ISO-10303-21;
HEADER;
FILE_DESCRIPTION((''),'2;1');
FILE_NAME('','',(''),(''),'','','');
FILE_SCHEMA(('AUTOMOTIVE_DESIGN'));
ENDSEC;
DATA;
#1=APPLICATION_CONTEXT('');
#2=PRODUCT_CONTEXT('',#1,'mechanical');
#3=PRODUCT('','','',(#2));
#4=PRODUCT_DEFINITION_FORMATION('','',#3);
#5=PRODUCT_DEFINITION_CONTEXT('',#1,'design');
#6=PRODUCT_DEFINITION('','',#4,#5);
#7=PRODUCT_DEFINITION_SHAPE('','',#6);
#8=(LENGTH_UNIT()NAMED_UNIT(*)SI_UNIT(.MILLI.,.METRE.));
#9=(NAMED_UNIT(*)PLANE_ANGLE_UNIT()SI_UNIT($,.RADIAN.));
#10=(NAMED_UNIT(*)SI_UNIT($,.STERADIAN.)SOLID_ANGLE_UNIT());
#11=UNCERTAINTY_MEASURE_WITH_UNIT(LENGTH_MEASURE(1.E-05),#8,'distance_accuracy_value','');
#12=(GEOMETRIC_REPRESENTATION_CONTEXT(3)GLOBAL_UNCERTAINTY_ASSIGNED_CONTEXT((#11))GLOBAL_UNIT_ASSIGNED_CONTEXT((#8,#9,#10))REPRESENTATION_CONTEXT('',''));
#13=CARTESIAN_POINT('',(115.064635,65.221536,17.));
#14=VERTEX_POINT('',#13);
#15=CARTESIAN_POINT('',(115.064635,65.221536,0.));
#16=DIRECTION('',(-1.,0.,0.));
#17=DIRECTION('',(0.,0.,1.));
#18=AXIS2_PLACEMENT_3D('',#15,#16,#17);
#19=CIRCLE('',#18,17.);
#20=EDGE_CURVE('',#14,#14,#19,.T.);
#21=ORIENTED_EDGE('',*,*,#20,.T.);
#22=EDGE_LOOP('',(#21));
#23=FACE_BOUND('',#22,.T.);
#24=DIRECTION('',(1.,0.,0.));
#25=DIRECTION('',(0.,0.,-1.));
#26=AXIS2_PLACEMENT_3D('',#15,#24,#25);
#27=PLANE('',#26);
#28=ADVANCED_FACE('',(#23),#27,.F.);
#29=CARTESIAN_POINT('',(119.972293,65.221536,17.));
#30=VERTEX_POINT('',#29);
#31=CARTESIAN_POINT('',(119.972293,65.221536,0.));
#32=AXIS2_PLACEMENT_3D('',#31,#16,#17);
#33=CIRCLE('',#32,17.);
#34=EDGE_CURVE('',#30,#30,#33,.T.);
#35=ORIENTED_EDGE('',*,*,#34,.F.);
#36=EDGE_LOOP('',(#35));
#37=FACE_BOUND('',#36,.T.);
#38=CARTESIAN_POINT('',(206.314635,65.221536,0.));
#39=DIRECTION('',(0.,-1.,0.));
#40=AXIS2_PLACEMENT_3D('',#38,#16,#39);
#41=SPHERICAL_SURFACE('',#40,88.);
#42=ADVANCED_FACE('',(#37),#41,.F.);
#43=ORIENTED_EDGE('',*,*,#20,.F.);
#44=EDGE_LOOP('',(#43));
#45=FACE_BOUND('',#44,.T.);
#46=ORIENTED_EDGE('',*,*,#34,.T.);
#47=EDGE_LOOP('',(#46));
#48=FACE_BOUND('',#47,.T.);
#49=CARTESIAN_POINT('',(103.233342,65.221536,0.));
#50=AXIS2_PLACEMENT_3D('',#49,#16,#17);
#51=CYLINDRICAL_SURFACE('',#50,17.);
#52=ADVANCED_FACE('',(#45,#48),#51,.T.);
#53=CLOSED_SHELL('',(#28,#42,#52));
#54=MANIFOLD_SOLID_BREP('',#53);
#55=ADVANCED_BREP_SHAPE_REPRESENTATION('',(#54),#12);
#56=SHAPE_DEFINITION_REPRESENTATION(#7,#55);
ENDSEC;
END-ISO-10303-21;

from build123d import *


with BuildPart() as part:
    # 草图1 → 旋转1 (revolve)
    with BuildSketch(Plane.XY, mode=Mode.PRIVATE) as revolve_1_sk:
        with BuildLine():
            Line((115.064634685, 82.221536258), (119.972292813, 82.221536258))
            ThreePointArc((119.972292813, 82.221536258), (118.730029632, 73.761849931), (118.314634685, 65.221536258))
            Line((118.314634685, 65.221536258), (115.064634685, 65.221536258))
            Line((115.064634685, 65.221536258), (115.064634685, 82.221536258))
        make_face()
    revolve(revolve_1_sk.sketch.rotate(Axis((103.233342166, 65.221536258, 0), (1, 0, 0)), 180), axis=Axis((103.233342166, 65.221536258, 0), (1, 0, 0)))  # turned: the seam where the file's is


solid = part.part
